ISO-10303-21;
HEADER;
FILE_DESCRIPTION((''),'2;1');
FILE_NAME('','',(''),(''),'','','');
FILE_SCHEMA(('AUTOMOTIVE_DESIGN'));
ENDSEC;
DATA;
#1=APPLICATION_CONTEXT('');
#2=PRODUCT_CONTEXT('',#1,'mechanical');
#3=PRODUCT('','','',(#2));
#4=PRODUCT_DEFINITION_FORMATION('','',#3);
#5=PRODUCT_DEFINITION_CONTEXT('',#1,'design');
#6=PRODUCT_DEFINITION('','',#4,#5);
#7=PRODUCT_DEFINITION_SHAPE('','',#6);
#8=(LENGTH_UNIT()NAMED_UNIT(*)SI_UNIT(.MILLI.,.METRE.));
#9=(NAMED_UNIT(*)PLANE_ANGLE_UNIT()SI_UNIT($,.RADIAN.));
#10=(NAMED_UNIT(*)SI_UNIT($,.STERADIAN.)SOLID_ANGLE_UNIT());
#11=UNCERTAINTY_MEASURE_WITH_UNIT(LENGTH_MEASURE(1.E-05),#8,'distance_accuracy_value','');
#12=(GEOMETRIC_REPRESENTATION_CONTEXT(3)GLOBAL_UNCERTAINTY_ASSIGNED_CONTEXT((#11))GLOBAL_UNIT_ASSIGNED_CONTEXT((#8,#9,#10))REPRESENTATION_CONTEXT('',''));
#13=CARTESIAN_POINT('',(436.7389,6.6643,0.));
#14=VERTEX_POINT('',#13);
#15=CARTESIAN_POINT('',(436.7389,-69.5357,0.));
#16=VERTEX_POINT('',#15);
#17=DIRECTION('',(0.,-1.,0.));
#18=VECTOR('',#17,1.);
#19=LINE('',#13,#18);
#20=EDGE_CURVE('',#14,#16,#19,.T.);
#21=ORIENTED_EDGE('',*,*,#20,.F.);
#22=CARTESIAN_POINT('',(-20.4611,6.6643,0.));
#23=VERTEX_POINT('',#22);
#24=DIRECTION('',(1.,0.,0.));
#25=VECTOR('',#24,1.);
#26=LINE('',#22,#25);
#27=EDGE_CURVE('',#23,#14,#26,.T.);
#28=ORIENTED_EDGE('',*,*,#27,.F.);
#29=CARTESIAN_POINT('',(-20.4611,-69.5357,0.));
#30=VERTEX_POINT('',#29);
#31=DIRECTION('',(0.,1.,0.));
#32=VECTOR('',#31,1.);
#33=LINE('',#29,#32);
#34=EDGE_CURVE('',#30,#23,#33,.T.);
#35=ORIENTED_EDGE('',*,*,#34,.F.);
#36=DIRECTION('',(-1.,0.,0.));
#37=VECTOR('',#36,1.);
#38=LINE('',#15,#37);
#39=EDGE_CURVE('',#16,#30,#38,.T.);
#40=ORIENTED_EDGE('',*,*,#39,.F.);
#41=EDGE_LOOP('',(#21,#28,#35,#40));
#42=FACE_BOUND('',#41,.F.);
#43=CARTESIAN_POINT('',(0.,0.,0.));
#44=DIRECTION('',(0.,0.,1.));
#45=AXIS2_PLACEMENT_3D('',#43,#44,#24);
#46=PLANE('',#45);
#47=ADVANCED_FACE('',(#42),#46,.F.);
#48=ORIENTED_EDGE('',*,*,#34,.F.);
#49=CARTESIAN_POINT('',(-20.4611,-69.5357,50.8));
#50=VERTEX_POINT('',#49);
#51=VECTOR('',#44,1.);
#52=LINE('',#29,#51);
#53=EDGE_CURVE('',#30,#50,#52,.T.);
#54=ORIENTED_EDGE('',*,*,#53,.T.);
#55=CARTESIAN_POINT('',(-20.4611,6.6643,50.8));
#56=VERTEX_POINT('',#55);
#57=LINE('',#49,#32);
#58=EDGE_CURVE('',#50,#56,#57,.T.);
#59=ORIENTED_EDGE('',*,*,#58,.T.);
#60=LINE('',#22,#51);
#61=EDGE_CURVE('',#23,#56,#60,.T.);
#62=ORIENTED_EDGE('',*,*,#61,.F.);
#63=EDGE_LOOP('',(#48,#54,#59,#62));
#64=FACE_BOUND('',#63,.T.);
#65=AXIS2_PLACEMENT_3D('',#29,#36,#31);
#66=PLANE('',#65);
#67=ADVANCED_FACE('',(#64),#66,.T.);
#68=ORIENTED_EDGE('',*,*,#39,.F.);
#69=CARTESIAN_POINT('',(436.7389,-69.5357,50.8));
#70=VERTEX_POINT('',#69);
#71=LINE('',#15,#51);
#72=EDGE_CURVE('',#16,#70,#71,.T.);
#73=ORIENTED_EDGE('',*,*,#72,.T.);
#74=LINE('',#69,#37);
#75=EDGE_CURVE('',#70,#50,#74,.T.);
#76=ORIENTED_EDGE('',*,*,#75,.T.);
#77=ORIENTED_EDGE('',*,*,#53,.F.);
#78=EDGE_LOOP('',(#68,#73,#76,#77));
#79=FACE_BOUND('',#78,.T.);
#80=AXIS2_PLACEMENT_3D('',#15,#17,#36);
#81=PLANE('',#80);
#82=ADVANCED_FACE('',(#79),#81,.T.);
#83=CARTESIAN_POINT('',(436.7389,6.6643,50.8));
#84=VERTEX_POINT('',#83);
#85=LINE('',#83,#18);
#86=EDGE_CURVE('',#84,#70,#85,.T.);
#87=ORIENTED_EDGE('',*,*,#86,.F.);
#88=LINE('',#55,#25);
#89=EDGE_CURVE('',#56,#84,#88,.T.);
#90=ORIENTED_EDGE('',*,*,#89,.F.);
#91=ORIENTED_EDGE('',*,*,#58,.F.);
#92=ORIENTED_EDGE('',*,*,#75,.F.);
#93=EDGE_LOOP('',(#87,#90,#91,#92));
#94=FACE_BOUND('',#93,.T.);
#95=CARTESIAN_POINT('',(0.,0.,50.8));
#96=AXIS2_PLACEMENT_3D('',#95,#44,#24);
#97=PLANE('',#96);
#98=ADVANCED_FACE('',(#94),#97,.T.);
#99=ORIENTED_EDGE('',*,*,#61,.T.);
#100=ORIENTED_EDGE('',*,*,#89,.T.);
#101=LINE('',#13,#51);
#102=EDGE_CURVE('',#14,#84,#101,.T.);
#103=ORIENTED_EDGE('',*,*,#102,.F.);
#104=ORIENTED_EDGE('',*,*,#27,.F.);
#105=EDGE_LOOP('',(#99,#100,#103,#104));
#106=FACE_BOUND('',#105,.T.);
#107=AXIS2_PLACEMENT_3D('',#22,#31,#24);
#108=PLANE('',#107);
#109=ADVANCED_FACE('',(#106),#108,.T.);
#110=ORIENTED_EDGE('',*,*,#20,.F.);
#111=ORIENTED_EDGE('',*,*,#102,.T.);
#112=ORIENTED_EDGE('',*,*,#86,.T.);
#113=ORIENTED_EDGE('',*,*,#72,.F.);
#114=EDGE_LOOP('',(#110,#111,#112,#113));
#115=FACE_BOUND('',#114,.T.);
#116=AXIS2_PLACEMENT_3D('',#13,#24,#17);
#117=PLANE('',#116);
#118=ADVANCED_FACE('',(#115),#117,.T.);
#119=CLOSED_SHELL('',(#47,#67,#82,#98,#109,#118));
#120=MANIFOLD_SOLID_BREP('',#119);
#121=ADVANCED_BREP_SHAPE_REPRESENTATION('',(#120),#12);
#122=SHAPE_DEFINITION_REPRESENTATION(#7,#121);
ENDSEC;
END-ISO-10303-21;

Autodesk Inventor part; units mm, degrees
ref_plane "YZ Plane" through (0, 0, 0) normal (1, 0, 0) x (0, 1, 0)
ref_plane "XZ Plane" through (0, 0, 0) normal (0, 1, 0) x (-1, 0, 0)
ref_plane "XY Plane" through (0, 0, 0) normal (0, 0, 1) x (1, 0, 0)
sketch "Sketch1" plane through (0, 0, 0) normal (0, 0, 1) x (1, 0, 0)
  line L0 (-20.4611, 6.6643) -> (436.7389, 6.6643)
  line L1 (436.7389, 6.6643) -> (436.7389, -69.5357)
  line L2 (436.7389, -69.5357) -> (-20.4611, -69.5357)
  line L3 (-20.4611, -69.5357) -> (-20.4611, 6.6643)
  point P0 (0, 0)
  dimension "d0" = 457.2
  dimension "d1" = 76.2
extrude "Extrusion1" add sketch "Sketch1" along normal blind 50.8
properties part number "linac"
